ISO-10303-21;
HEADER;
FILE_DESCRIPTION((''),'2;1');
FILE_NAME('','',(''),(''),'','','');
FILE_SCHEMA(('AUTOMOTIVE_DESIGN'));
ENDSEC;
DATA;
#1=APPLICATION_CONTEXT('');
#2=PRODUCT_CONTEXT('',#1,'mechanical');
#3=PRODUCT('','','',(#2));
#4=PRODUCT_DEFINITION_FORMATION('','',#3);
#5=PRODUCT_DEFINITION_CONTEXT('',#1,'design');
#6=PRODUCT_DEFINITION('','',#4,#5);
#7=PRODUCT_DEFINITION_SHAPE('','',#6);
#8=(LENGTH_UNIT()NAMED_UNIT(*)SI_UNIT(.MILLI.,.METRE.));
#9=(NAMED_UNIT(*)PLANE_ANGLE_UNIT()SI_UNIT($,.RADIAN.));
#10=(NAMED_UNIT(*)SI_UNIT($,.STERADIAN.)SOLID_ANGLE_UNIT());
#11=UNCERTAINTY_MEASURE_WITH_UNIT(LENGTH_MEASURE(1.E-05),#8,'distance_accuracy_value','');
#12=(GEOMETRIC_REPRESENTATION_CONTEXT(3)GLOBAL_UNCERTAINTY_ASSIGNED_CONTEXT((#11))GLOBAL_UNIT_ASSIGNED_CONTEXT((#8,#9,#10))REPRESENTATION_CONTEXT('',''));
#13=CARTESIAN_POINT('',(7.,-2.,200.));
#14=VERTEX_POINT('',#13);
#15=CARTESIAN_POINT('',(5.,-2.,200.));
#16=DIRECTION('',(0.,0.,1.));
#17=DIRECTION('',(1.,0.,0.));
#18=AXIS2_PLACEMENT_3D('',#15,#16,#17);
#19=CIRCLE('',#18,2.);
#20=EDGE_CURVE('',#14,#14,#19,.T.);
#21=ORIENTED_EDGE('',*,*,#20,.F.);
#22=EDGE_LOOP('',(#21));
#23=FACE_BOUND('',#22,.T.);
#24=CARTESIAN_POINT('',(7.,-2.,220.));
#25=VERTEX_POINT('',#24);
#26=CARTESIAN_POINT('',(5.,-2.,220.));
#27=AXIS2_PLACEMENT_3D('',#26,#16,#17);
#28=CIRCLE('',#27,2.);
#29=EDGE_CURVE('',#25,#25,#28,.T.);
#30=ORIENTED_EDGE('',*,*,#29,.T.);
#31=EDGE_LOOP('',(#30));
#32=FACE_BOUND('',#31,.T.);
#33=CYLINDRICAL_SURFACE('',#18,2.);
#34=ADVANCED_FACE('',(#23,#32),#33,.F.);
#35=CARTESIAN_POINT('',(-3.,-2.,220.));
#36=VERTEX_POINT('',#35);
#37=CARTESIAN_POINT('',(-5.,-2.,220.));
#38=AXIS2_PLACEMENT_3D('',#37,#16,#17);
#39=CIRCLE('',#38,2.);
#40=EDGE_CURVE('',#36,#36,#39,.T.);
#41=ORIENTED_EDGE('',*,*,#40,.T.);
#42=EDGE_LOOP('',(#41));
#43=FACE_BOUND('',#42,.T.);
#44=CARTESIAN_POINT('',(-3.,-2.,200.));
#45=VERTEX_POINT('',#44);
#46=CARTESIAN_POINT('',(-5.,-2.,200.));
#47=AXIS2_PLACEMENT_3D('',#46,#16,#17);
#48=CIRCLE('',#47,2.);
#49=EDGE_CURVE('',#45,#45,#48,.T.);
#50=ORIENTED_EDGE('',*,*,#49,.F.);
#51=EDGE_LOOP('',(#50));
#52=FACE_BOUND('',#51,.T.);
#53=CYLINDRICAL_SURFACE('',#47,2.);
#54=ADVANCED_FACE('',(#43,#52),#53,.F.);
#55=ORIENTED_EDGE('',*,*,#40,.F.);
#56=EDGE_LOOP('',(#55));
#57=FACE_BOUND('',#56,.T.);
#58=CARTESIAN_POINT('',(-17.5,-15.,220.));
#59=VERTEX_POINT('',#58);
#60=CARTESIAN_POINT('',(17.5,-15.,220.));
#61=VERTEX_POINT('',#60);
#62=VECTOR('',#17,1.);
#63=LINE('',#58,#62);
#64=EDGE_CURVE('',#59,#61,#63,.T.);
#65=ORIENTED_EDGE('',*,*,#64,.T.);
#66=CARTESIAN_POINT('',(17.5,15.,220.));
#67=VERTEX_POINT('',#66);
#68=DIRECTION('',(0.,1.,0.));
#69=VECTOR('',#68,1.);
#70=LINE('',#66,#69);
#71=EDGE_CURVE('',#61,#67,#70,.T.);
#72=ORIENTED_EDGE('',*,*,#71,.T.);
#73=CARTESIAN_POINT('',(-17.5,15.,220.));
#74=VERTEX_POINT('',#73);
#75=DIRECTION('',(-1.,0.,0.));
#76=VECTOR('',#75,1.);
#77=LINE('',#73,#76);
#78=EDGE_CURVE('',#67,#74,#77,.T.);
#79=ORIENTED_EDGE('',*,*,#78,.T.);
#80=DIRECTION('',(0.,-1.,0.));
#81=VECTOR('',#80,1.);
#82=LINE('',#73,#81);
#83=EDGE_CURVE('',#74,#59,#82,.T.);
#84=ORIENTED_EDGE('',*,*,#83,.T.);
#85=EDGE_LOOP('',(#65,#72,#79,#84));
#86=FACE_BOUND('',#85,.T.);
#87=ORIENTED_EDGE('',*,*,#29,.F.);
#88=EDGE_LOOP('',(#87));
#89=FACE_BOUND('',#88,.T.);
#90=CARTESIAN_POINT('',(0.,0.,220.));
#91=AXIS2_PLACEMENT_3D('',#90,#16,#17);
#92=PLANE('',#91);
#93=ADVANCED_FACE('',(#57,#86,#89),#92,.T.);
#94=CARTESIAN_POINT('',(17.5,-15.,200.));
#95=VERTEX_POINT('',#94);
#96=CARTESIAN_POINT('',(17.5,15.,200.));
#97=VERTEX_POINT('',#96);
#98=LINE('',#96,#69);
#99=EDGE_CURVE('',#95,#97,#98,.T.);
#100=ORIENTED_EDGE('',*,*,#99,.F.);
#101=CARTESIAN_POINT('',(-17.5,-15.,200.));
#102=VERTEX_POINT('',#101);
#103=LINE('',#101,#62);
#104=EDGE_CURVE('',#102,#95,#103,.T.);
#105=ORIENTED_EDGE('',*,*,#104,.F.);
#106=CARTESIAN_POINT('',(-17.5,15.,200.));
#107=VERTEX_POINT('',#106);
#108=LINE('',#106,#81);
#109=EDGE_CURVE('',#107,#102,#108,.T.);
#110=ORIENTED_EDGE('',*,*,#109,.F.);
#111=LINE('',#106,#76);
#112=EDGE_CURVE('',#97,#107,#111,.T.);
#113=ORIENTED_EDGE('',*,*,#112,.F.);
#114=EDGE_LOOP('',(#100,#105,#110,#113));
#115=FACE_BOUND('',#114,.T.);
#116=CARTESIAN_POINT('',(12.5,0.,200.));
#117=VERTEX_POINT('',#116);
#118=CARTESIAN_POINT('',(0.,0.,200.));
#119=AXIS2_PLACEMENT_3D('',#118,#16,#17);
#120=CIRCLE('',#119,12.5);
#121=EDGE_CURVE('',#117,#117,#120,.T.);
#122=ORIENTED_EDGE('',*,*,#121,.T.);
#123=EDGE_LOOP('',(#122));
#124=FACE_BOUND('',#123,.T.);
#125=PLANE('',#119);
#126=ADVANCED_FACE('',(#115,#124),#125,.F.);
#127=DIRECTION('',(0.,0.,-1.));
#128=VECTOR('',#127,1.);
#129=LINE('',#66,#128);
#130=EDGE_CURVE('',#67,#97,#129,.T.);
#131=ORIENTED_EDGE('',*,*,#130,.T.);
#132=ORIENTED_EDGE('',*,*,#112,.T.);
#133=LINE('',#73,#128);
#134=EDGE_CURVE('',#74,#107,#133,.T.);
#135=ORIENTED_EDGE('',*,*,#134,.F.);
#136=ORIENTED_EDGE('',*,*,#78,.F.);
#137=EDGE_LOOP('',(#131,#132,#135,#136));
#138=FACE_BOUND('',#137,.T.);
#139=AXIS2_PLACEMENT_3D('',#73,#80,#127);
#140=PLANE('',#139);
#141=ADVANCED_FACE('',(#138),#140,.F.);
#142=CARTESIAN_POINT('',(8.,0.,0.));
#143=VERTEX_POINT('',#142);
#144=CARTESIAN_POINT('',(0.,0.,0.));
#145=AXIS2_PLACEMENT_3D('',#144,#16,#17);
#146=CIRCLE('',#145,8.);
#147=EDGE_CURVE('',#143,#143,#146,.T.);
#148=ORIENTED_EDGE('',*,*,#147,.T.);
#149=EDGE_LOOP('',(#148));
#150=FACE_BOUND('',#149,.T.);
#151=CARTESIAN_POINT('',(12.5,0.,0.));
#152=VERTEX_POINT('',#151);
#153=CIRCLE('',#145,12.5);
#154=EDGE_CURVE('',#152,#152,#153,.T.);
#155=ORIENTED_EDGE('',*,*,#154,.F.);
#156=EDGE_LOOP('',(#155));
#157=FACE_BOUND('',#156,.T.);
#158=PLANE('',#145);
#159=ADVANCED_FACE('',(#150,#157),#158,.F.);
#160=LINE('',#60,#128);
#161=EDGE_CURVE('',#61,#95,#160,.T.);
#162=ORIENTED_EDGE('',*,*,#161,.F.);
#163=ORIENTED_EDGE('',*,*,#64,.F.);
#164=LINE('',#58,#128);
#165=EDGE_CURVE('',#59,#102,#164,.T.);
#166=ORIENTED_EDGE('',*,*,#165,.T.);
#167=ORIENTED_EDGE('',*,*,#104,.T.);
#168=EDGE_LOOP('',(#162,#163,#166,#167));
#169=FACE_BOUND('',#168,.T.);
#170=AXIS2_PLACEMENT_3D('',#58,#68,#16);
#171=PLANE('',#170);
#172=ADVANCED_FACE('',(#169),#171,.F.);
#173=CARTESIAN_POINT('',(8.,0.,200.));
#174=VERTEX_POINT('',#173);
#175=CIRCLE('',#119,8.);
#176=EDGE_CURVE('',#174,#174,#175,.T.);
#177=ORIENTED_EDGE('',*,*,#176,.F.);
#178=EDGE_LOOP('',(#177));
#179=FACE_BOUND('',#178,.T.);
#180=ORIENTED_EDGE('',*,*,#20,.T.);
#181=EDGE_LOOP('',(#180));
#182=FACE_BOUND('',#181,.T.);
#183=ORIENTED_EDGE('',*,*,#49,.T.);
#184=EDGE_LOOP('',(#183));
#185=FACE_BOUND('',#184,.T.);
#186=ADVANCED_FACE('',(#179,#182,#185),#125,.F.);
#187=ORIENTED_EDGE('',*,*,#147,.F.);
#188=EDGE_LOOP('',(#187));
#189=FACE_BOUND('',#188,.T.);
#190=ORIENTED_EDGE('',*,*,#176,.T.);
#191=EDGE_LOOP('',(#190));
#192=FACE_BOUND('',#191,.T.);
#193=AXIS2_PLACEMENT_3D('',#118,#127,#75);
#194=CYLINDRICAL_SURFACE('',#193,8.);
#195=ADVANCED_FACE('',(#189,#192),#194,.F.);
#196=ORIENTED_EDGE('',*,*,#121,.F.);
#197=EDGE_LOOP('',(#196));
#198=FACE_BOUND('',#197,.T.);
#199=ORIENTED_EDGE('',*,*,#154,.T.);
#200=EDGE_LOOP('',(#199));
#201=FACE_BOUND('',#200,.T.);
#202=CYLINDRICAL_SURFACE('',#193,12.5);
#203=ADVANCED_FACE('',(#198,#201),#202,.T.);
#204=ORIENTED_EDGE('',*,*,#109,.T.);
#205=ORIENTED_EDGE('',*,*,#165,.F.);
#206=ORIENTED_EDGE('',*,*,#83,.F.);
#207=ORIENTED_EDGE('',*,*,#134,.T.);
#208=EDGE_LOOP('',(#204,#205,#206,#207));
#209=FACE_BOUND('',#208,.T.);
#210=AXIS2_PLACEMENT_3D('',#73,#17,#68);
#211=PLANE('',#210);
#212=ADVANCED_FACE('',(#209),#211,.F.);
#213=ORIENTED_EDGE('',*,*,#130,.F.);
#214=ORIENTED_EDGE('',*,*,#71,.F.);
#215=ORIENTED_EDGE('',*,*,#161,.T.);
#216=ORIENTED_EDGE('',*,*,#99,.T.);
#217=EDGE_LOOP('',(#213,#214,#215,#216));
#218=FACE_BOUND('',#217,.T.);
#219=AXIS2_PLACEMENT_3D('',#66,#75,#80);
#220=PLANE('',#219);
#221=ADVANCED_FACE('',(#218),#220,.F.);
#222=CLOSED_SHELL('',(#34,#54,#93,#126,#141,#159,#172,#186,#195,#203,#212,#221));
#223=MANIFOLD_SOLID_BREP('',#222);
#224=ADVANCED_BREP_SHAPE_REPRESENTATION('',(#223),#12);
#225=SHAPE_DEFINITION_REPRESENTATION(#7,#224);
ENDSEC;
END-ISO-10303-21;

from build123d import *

# Parameters (mm, degrees)
ESQUISSE1_R             = 12.5
ESQUISSE1_R_2           = 8
BOSS_EXTRU_1_DEPTH      = 200
ESQUISSE2_W             = 35
ESQUISSE2_H             = 30
BOSS_EXTRU_2_DEPTH      = 20
ESQUISSE3_R             = 2
ENL_V_MAT_EXTRU_1_DEPTH = 20


with BuildPart() as part:
    # Esquisse1 → Boss.-Extru.1 (new body)
    with BuildSketch(Plane.XY):
        Circle(ESQUISSE1_R)
        Circle(ESQUISSE1_R_2, mode=Mode.SUBTRACT)
    extrude(amount=BOSS_EXTRU_1_DEPTH)

    # Esquisse2 → Boss.-Extru.2 (add)
    with BuildSketch(Plane.XY.offset(200)):
        Rectangle(ESQUISSE2_W, ESQUISSE2_H)
    extrude(amount=BOSS_EXTRU_2_DEPTH)

    # Esquisse3 → Enlèv. mat.-Extru.1 (cut)
    with BuildSketch(Plane.XY.offset(220)):
        with Locations((5, -2)):
            Circle(ESQUISSE3_R)
        with Locations((-5, -2)):
            Circle(ESQUISSE3_R)
    extrude(amount=-ENL_V_MAT_EXTRU_1_DEPTH, mode=Mode.SUBTRACT)


solid = part.part
